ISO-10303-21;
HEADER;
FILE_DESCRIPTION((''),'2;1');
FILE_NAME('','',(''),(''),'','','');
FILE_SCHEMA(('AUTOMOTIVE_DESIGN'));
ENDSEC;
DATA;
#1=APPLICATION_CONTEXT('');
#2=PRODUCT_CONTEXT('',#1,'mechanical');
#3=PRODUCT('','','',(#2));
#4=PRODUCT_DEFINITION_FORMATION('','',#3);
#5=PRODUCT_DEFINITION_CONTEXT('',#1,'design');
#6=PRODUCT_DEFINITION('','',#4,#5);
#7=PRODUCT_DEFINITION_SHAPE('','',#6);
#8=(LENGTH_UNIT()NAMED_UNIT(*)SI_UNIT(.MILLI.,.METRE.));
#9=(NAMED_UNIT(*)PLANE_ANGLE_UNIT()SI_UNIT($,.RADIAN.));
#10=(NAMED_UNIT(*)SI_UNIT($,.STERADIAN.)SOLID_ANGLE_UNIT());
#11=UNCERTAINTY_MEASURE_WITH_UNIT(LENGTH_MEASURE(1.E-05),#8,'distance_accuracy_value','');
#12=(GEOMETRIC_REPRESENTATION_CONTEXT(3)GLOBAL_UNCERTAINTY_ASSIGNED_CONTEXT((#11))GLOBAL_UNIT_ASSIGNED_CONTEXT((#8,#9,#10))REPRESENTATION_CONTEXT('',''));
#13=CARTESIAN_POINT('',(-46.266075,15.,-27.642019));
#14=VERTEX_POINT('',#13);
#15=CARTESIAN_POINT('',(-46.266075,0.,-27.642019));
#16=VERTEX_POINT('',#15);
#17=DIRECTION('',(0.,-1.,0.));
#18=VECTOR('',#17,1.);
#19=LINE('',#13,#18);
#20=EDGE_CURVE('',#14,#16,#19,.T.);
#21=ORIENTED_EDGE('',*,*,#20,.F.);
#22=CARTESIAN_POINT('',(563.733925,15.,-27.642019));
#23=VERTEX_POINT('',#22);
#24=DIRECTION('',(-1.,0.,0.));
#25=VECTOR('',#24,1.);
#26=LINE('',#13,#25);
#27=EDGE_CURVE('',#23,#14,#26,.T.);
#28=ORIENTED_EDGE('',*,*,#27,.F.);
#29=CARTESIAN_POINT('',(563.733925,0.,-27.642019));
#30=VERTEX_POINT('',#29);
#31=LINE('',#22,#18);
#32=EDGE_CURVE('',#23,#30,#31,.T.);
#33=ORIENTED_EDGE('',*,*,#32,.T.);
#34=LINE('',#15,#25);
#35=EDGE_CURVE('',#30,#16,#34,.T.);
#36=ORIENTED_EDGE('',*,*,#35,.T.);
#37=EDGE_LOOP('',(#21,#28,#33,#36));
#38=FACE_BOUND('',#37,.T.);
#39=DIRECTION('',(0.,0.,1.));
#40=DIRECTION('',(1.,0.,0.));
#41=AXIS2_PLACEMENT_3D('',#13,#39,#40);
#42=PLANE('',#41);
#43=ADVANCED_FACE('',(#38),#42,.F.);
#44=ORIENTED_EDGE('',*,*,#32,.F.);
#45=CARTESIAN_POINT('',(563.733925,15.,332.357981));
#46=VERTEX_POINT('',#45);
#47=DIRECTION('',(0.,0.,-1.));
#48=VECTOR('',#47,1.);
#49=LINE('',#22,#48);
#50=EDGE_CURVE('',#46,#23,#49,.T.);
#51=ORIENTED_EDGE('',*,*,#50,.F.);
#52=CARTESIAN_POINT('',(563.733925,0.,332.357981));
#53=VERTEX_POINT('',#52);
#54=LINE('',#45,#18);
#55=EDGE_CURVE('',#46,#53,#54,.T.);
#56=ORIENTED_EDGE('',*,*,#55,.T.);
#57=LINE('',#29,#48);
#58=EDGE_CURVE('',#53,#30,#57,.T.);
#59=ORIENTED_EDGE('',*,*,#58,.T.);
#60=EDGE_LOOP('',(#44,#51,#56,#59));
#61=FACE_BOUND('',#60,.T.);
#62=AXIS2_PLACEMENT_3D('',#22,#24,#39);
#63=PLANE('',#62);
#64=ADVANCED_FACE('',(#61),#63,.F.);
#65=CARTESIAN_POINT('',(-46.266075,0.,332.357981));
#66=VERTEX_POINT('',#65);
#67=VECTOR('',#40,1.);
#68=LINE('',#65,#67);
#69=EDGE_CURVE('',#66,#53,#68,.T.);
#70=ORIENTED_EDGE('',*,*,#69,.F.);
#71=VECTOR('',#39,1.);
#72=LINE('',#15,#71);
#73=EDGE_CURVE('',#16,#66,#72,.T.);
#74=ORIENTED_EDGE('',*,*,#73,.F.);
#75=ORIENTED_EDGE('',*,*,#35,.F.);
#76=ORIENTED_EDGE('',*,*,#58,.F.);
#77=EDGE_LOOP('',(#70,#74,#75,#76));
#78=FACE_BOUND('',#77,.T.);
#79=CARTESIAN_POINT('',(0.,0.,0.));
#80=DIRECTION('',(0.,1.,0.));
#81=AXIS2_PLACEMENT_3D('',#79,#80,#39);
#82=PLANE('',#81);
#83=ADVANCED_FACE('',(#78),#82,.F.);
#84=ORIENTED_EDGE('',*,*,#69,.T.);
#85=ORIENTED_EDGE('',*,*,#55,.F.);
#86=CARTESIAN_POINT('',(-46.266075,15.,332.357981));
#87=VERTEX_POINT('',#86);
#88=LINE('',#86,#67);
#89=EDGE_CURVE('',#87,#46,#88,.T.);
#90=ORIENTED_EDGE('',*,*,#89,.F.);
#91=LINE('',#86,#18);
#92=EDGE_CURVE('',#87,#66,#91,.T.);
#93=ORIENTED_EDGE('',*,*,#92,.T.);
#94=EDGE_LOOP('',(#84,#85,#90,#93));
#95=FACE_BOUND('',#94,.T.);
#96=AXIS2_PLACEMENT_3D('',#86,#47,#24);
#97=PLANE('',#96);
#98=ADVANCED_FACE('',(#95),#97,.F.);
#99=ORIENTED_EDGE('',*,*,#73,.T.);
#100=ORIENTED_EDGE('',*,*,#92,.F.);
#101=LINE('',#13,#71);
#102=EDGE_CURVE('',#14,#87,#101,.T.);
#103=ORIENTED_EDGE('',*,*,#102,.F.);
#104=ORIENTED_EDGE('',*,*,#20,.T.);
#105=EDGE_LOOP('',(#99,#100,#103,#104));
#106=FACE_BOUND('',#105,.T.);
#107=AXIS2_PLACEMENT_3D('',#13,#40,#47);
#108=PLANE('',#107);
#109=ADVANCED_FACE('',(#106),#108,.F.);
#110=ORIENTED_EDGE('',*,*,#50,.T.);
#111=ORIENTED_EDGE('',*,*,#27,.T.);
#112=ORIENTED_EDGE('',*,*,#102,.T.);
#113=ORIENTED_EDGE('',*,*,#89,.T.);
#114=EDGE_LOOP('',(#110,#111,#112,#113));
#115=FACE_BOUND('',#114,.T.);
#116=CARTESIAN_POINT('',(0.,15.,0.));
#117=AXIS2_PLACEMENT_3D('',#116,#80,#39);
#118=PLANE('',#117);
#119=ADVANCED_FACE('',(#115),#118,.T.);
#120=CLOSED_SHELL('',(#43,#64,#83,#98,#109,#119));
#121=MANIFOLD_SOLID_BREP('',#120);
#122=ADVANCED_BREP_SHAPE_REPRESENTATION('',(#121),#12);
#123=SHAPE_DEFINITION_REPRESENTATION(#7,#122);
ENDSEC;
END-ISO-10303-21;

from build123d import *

# Parameters (mm, degrees)
SKETCH1_W           = 610
SKETCH1_H           = 360
BOSS_EXTRUDE1_DEPTH = 15


with BuildPart() as part:
    # Sketch1 → Boss-Extrude1 (new body)
    with BuildSketch(Plane(origin=(0, 0, 0), x_dir=(1, 0, 0), z_dir=(0, 1, 0))):
        with Locations((258.73392535, -152.357980823)):
            Rectangle(SKETCH1_W, SKETCH1_H)
    extrude(amount=BOSS_EXTRUDE1_DEPTH)


solid = part.part
